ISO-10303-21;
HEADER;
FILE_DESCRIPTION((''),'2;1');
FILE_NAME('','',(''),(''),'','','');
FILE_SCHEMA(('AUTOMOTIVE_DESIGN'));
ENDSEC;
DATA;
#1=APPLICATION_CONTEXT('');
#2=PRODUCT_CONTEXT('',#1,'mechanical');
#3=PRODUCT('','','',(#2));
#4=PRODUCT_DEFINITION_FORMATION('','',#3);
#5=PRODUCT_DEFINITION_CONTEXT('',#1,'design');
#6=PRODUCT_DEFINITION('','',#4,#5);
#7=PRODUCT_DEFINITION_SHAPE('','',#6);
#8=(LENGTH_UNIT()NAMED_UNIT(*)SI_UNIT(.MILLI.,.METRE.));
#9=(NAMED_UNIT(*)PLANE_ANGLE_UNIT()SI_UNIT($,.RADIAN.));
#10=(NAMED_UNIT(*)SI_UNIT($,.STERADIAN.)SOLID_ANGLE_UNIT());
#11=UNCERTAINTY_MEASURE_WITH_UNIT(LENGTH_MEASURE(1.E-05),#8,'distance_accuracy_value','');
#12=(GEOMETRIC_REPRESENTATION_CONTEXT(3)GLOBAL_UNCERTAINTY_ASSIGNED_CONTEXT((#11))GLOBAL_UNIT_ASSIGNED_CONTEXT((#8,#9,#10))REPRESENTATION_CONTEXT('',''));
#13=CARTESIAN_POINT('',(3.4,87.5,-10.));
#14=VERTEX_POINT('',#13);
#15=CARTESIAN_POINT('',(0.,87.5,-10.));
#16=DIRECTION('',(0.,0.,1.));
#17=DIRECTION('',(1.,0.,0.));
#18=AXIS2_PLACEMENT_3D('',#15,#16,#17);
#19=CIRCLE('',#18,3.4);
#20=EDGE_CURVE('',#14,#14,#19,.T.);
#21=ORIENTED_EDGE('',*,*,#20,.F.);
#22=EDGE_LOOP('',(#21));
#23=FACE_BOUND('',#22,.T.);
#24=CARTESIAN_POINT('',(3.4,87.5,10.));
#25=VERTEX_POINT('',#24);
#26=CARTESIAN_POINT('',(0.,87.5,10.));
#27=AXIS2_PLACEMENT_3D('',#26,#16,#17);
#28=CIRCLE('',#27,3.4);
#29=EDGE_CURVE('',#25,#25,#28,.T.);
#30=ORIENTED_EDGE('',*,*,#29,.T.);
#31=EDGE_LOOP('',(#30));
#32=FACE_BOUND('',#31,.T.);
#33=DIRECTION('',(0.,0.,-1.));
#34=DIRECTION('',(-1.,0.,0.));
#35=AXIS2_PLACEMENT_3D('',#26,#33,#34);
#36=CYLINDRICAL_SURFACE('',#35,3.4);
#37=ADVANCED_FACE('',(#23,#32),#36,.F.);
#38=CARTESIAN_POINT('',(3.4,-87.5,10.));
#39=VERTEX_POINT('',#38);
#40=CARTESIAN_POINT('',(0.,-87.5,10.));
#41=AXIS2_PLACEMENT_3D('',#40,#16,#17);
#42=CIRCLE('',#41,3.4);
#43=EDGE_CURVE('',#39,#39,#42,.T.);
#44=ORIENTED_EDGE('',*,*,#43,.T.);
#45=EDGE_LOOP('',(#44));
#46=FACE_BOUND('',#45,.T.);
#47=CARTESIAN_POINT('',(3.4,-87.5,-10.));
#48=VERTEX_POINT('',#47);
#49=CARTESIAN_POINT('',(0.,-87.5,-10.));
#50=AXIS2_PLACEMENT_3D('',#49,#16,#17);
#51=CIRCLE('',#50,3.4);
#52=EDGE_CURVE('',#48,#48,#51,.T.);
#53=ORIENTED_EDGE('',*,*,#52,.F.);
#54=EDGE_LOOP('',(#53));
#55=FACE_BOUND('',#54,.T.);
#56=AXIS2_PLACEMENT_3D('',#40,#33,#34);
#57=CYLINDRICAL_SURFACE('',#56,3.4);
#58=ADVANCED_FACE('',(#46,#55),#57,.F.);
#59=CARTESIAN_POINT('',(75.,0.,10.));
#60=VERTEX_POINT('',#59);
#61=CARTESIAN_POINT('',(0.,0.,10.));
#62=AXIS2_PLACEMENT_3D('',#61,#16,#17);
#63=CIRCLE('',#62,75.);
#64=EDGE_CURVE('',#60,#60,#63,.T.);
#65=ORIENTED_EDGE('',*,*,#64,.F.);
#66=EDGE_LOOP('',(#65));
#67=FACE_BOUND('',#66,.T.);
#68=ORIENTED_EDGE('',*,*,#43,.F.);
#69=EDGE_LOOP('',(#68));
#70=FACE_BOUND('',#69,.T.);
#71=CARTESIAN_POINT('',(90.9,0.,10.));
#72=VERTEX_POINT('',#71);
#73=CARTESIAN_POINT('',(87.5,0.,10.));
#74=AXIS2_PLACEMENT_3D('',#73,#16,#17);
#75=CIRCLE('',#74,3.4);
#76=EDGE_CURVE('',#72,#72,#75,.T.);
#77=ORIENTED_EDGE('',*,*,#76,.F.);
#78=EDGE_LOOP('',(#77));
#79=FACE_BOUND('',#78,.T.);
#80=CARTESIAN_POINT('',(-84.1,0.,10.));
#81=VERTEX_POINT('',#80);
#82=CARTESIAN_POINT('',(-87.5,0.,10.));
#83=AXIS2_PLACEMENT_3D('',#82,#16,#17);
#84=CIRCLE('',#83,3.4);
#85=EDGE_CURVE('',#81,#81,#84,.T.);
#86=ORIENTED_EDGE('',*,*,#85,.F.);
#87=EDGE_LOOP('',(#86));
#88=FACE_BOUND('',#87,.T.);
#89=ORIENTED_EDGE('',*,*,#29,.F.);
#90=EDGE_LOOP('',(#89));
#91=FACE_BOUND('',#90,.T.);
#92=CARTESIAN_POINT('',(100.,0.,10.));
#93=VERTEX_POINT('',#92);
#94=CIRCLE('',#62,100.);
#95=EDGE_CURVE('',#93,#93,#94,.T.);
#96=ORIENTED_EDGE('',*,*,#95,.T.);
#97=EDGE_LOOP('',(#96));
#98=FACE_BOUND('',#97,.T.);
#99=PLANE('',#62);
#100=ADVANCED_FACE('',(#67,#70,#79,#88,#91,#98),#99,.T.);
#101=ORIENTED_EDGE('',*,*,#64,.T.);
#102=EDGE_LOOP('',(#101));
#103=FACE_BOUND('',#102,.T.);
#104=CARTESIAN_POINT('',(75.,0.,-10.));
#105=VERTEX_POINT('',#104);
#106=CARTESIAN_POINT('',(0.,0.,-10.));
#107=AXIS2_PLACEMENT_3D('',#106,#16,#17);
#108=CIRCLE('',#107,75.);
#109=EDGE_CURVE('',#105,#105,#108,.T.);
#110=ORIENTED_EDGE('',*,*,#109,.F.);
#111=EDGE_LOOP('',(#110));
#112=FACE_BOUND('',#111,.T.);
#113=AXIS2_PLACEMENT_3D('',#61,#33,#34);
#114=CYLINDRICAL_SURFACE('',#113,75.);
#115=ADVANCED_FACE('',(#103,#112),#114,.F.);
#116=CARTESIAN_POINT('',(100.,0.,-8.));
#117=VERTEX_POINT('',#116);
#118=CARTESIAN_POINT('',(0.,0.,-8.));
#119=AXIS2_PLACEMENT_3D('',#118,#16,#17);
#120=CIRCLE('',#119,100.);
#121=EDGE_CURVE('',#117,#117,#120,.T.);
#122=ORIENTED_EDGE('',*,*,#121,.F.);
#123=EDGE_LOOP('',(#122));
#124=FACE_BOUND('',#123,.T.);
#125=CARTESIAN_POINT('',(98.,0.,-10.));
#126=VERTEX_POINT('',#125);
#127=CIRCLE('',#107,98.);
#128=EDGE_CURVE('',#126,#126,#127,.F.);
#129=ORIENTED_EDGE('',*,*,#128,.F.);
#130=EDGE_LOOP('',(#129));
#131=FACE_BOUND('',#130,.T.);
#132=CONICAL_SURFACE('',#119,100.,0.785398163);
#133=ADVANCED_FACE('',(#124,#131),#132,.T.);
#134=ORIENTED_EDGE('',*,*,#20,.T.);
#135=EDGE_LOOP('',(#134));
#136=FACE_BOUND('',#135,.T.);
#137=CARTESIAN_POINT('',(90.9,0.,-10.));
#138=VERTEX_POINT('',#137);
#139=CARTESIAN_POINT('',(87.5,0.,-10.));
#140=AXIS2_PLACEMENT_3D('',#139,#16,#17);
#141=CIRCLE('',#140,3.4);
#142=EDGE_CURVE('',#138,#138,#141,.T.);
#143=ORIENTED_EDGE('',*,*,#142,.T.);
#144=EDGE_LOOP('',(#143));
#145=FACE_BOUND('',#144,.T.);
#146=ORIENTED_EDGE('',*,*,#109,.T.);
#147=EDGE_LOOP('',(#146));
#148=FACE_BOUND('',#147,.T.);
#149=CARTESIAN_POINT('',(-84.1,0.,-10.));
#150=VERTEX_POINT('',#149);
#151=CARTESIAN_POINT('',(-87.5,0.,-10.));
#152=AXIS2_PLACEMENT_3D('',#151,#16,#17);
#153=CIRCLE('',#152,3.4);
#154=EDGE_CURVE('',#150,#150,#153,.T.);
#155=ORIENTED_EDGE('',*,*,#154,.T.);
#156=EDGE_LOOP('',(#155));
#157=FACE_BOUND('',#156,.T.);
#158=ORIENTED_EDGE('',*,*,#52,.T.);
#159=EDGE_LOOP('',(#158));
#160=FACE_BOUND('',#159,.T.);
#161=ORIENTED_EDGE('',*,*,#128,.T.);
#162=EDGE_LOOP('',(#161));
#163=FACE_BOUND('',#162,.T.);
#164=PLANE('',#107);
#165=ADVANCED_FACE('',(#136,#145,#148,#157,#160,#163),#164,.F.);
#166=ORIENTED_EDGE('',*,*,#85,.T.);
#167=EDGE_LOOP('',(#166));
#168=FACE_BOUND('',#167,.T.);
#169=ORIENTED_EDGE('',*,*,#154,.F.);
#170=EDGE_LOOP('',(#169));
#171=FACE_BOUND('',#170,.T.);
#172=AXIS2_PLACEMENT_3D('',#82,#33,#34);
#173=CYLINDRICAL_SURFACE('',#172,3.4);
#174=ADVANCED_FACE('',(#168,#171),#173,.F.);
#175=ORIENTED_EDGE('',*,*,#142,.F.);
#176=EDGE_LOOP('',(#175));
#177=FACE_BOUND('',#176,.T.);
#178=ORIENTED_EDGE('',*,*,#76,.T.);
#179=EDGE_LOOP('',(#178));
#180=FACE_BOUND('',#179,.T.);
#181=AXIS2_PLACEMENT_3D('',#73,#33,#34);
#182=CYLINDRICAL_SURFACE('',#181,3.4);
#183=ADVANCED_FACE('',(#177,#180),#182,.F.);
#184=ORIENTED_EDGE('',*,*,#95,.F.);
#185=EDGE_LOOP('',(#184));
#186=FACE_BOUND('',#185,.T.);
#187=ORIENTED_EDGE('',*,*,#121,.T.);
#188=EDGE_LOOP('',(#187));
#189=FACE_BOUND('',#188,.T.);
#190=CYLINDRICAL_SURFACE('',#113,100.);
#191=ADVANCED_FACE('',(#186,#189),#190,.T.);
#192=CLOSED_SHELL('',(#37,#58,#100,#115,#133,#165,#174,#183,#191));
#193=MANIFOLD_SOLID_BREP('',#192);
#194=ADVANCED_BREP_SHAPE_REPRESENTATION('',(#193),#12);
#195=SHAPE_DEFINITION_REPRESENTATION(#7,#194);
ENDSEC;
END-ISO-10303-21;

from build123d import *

# Parameters (mm, degrees)
SZKIC1_R                    = 100
SZKIC1_R_2                  = 75
SZKIC1_R_3                  = 3.4
DODANIE_WYCI_GNI_CIE1_DEPTH = 10
SFAZOWANIE1_SIZE            = 2


with BuildPart() as part:
    # Szkic1 → Dodanie-wyciągnięcie1 (new, symmetric)
    with BuildSketch(Plane.XY):
        Circle(SZKIC1_R)
        Circle(SZKIC1_R_2, mode=Mode.SUBTRACT)
        with Locations((0, 87.5)):
            Circle(SZKIC1_R_3, mode=Mode.SUBTRACT)
        with Locations((87.5, 0)):
            Circle(SZKIC1_R_3, mode=Mode.SUBTRACT)
        with Locations((0, -87.5)):
            Circle(SZKIC1_R_3, mode=Mode.SUBTRACT)
        with Locations((-87.5, 0)):
            Circle(SZKIC1_R_3, mode=Mode.SUBTRACT)
    extrude(amount=DODANIE_WYCI_GNI_CIE1_DEPTH, both=True)

    # Sfazowanie1
    sfazowanie1_edges = [part.edges().sort_by_distance(p)[0] for p in [
        (-100, 0, -10),
    ]]
    chamfer(sfazowanie1_edges, length=SFAZOWANIE1_SIZE)


solid = part.part
